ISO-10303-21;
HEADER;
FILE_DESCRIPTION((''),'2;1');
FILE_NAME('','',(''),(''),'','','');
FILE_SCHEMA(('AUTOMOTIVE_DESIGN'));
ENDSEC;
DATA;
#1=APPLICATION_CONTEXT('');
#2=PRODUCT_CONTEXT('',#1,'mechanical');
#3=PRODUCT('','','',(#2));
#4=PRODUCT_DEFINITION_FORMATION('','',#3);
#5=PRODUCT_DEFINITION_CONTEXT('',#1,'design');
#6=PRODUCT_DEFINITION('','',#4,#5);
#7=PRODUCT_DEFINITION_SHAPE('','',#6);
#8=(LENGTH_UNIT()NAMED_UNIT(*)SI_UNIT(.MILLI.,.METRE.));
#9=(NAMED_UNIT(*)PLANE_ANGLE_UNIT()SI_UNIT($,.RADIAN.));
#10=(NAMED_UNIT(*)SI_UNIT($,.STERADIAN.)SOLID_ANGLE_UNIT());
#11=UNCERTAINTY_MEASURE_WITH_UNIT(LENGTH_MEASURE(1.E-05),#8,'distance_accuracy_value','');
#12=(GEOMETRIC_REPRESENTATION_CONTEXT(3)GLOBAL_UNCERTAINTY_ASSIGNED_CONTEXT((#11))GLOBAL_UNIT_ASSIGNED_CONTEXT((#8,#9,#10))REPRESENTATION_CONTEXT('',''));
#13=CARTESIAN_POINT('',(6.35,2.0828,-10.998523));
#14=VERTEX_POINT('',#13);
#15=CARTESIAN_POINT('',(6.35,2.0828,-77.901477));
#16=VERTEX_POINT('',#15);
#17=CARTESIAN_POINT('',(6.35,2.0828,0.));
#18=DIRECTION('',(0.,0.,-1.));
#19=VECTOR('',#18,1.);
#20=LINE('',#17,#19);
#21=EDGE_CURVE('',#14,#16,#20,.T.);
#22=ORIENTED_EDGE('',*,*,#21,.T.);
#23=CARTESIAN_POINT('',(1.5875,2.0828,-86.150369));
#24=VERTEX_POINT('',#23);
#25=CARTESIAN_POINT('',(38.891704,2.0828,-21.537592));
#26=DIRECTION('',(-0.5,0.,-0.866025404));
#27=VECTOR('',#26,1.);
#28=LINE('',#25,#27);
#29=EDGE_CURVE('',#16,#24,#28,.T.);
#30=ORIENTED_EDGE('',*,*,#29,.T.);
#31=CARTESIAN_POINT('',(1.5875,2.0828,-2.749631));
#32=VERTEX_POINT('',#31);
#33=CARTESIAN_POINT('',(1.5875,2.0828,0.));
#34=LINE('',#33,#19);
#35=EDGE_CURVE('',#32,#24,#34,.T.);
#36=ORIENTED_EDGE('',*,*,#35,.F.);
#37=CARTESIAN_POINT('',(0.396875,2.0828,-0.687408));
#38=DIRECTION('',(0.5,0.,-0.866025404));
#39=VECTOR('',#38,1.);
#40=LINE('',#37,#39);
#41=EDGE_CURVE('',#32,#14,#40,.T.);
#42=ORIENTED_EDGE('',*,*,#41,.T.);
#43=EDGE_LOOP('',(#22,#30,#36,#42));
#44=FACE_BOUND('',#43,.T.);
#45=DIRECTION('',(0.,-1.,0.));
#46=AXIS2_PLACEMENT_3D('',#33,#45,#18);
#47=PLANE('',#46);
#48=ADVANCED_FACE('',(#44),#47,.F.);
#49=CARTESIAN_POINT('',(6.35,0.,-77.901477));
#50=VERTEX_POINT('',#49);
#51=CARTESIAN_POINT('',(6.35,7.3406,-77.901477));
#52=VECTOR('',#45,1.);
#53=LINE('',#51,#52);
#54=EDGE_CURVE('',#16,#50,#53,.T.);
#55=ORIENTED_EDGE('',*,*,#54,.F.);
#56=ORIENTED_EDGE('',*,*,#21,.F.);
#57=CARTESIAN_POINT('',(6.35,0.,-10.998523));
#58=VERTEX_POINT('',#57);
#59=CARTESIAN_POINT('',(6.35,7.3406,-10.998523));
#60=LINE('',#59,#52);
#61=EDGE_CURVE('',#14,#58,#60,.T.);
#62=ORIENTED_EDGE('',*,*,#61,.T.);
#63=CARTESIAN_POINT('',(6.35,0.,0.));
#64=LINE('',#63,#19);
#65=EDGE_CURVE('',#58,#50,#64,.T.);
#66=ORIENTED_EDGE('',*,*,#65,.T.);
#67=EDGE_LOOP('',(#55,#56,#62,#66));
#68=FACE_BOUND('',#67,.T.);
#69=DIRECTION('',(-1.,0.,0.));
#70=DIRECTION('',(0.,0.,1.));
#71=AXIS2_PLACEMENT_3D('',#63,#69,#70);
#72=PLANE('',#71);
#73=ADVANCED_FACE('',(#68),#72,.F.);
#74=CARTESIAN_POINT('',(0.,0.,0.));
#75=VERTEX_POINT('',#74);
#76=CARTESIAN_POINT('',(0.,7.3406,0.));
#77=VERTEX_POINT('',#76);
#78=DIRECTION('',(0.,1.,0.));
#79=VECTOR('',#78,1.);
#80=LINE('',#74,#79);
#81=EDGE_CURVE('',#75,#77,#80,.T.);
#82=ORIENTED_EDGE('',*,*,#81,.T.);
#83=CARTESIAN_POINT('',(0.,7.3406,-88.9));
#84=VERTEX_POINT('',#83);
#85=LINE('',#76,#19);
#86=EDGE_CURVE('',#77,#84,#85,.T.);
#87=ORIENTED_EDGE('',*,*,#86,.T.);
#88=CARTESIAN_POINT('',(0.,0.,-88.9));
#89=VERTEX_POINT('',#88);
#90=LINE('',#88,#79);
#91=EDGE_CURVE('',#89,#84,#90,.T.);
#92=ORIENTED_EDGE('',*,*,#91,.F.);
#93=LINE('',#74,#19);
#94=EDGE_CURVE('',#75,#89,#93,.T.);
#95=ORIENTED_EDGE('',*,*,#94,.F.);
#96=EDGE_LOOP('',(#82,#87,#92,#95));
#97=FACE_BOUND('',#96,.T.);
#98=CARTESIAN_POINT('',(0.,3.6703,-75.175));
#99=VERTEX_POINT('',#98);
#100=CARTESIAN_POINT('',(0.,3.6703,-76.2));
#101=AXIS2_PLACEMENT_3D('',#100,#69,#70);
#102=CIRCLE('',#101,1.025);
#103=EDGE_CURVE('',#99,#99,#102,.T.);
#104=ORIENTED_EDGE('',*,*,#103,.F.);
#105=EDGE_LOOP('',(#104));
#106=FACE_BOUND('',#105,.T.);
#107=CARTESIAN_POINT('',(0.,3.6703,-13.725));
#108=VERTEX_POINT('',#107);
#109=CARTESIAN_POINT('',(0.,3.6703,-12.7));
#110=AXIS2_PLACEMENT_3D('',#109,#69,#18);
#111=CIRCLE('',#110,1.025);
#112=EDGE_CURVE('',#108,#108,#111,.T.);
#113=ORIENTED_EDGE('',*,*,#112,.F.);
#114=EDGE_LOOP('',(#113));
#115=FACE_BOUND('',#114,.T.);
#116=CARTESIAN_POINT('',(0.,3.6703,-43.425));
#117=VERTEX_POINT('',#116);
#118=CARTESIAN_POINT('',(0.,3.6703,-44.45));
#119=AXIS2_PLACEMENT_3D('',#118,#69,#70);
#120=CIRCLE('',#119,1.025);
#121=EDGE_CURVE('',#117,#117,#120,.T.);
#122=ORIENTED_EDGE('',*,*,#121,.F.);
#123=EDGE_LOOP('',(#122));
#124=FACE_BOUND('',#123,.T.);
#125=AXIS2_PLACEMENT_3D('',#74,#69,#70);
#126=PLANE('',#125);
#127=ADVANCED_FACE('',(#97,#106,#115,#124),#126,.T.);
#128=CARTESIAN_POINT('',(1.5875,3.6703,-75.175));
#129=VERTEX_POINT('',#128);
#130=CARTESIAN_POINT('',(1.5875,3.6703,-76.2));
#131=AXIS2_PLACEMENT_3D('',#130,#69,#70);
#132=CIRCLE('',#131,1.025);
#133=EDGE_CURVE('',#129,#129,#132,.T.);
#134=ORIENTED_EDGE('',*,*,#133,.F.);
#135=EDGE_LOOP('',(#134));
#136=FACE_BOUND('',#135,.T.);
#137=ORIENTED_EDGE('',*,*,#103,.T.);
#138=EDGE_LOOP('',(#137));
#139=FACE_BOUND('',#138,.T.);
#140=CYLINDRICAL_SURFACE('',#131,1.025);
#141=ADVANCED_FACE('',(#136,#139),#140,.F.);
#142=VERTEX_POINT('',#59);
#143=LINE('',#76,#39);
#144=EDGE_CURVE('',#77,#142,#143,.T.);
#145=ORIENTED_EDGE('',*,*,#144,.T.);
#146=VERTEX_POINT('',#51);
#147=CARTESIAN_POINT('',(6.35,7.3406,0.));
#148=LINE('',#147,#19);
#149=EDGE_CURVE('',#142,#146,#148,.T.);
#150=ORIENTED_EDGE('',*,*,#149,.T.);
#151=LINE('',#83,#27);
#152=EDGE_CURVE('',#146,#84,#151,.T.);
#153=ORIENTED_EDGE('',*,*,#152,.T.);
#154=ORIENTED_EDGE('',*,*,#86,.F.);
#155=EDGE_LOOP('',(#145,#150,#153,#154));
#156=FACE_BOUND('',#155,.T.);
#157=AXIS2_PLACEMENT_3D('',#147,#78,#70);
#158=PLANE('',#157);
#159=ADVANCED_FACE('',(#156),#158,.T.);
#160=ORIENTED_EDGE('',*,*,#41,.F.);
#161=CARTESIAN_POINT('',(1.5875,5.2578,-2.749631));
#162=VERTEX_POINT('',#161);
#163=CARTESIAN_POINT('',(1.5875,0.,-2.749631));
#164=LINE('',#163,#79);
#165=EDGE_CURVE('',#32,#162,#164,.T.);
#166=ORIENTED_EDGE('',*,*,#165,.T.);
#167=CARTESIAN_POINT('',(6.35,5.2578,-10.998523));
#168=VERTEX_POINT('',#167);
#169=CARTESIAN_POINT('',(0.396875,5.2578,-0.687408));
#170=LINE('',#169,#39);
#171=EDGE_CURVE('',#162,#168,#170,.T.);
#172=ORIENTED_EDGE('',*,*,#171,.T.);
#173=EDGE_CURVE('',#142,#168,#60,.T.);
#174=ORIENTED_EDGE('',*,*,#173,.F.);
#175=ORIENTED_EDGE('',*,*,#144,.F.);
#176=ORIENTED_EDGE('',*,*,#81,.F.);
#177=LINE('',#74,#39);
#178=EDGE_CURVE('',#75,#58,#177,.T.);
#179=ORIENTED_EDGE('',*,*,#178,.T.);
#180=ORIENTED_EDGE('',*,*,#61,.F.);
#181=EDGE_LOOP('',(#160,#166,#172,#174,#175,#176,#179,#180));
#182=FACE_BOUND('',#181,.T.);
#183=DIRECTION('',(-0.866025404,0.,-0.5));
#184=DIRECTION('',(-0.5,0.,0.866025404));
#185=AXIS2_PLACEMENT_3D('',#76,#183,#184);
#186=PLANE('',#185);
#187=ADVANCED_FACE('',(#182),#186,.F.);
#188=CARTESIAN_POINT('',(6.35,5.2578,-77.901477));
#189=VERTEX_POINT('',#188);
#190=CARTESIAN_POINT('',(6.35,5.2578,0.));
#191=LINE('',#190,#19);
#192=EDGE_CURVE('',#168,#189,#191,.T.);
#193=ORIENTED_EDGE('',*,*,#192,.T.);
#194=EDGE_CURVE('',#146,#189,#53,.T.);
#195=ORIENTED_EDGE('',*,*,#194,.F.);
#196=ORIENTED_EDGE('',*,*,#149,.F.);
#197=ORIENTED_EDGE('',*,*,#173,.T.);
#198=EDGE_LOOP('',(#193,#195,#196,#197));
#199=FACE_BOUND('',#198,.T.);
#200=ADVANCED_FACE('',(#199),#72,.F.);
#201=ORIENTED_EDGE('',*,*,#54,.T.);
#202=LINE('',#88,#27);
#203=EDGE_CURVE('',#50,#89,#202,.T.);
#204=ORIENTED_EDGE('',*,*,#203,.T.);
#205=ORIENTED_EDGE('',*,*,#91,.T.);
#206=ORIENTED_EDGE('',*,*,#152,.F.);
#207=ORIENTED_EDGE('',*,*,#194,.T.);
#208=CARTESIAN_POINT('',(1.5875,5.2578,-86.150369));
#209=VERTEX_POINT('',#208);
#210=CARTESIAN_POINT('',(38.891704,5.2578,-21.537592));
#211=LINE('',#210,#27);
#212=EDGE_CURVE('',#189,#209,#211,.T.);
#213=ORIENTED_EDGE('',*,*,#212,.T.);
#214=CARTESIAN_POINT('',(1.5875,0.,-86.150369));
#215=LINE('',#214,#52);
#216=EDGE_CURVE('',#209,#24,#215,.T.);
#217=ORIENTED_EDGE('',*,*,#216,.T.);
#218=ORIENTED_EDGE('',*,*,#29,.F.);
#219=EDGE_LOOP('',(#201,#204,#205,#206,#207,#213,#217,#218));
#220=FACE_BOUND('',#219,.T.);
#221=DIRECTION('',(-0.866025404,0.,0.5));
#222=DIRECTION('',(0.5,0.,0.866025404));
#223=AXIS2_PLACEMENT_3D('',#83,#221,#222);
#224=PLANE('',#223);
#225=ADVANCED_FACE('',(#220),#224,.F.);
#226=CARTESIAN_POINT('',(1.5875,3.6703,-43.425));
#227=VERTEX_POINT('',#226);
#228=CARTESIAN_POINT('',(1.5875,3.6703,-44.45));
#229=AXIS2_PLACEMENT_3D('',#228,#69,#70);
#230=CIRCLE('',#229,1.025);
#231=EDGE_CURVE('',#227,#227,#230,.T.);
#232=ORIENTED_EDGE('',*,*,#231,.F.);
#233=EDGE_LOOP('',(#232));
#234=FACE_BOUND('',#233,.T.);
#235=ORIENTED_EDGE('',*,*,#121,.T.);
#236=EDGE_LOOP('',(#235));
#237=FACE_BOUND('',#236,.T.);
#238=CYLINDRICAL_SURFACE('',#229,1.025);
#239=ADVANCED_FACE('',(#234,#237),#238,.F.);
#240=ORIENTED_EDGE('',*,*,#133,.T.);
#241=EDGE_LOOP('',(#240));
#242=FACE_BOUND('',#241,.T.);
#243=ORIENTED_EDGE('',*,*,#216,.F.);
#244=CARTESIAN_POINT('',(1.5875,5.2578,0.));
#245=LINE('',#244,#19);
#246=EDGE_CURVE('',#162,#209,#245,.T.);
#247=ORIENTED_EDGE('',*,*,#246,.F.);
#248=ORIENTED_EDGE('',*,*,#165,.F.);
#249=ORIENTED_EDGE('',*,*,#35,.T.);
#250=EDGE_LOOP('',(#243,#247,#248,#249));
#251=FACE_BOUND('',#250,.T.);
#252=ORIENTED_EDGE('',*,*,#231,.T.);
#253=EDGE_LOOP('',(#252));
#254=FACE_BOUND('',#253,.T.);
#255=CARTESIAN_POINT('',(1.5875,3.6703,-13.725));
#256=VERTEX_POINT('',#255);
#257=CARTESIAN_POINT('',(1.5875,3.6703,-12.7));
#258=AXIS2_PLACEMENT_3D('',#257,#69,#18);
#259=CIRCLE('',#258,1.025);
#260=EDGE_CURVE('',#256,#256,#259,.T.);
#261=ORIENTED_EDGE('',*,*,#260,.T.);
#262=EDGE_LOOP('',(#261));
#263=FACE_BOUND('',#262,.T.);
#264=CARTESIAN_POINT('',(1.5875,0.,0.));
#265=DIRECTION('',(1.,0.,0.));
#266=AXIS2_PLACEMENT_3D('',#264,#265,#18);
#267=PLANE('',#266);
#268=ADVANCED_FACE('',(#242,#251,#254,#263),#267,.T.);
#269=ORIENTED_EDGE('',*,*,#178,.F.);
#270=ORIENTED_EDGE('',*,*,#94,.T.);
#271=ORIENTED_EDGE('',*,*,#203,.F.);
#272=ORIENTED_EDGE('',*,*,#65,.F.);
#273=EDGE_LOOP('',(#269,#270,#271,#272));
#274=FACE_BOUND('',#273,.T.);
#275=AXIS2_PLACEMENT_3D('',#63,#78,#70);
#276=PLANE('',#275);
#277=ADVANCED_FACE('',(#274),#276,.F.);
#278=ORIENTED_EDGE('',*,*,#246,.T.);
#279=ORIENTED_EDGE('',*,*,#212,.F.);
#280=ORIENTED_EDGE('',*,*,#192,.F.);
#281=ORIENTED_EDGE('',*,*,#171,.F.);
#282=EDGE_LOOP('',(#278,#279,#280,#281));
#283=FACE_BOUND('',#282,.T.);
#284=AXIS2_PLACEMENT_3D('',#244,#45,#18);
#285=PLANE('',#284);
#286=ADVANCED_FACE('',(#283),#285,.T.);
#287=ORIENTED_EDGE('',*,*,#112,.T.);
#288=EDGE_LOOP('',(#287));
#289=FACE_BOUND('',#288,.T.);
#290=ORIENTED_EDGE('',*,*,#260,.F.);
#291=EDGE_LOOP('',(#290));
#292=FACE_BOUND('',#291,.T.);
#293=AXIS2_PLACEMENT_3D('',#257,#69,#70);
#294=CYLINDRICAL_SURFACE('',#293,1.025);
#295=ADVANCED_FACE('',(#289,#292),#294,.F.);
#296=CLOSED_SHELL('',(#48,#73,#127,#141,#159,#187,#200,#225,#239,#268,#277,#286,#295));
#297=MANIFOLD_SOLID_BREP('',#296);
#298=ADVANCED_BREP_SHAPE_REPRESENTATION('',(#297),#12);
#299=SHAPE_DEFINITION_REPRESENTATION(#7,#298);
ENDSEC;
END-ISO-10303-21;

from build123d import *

# Parameters (mm, degrees)
SKETCH1_W           = 88.9
SKETCH1_H           = 7.3406
BOSS_EXTRUDE1_DEPTH = 6.35
SKETCH2_W           = 88.9
SKETCH2_H           = 3.175
CUT_EXTRUDE2_DEPTH  = 4.7625
CUT_EXTRUDE3_DEPTH  = 7.3406
SKETCH5_R           = 1.025
CUT_EXTRUDE4_DEPTH  = 1.5875


with BuildPart() as part:
    # Sketch1 → Boss-Extrude1 (new body)
    with BuildSketch(Plane(origin=(0, 0, 0), x_dir=(0, 0, -1), z_dir=(1, 0, 0))):
        with Locations((44.45, 3.6703)):
            Rectangle(SKETCH1_W, SKETCH1_H)
    extrude(amount=BOSS_EXTRUDE1_DEPTH)

    # Sketch2 → Cut-Extrude2 (cut)
    with BuildSketch(Plane(origin=(6.35, 0, 0), x_dir=(0, 0, -1), z_dir=(1, 0, 0))):
        with Locations((44.45, 3.6703)):
            Rectangle(SKETCH2_W, SKETCH2_H)
    extrude(amount=-CUT_EXTRUDE2_DEPTH, mode=Mode.SUBTRACT)

    # Sketch4 → Cut-Extrude3 (cut)
    with BuildSketch(Plane.XZ):
        Polygon((0, 0), (6.35, -10.998522628), (6.35, 0), align=None)
        Polygon((6.35, -77.901477372), (6.35, -88.9), (0, -88.9), align=None)
    extrude(amount=-CUT_EXTRUDE3_DEPTH, mode=Mode.SUBTRACT)

    # Sketch5 → Cut-Extrude4 (cut)
    with BuildSketch(Plane.ZY):
        with Locations((-76.2, 3.6703)):
            Circle(SKETCH5_R)
        with Locations((-44.45, 3.6703)):
            Circle(SKETCH5_R)
        with Locations(Location((-12.7, 3.6703, 0), (0, 0, 180))):
            Circle(SKETCH5_R)
    extrude(amount=-CUT_EXTRUDE4_DEPTH, mode=Mode.SUBTRACT)


solid = part.part
